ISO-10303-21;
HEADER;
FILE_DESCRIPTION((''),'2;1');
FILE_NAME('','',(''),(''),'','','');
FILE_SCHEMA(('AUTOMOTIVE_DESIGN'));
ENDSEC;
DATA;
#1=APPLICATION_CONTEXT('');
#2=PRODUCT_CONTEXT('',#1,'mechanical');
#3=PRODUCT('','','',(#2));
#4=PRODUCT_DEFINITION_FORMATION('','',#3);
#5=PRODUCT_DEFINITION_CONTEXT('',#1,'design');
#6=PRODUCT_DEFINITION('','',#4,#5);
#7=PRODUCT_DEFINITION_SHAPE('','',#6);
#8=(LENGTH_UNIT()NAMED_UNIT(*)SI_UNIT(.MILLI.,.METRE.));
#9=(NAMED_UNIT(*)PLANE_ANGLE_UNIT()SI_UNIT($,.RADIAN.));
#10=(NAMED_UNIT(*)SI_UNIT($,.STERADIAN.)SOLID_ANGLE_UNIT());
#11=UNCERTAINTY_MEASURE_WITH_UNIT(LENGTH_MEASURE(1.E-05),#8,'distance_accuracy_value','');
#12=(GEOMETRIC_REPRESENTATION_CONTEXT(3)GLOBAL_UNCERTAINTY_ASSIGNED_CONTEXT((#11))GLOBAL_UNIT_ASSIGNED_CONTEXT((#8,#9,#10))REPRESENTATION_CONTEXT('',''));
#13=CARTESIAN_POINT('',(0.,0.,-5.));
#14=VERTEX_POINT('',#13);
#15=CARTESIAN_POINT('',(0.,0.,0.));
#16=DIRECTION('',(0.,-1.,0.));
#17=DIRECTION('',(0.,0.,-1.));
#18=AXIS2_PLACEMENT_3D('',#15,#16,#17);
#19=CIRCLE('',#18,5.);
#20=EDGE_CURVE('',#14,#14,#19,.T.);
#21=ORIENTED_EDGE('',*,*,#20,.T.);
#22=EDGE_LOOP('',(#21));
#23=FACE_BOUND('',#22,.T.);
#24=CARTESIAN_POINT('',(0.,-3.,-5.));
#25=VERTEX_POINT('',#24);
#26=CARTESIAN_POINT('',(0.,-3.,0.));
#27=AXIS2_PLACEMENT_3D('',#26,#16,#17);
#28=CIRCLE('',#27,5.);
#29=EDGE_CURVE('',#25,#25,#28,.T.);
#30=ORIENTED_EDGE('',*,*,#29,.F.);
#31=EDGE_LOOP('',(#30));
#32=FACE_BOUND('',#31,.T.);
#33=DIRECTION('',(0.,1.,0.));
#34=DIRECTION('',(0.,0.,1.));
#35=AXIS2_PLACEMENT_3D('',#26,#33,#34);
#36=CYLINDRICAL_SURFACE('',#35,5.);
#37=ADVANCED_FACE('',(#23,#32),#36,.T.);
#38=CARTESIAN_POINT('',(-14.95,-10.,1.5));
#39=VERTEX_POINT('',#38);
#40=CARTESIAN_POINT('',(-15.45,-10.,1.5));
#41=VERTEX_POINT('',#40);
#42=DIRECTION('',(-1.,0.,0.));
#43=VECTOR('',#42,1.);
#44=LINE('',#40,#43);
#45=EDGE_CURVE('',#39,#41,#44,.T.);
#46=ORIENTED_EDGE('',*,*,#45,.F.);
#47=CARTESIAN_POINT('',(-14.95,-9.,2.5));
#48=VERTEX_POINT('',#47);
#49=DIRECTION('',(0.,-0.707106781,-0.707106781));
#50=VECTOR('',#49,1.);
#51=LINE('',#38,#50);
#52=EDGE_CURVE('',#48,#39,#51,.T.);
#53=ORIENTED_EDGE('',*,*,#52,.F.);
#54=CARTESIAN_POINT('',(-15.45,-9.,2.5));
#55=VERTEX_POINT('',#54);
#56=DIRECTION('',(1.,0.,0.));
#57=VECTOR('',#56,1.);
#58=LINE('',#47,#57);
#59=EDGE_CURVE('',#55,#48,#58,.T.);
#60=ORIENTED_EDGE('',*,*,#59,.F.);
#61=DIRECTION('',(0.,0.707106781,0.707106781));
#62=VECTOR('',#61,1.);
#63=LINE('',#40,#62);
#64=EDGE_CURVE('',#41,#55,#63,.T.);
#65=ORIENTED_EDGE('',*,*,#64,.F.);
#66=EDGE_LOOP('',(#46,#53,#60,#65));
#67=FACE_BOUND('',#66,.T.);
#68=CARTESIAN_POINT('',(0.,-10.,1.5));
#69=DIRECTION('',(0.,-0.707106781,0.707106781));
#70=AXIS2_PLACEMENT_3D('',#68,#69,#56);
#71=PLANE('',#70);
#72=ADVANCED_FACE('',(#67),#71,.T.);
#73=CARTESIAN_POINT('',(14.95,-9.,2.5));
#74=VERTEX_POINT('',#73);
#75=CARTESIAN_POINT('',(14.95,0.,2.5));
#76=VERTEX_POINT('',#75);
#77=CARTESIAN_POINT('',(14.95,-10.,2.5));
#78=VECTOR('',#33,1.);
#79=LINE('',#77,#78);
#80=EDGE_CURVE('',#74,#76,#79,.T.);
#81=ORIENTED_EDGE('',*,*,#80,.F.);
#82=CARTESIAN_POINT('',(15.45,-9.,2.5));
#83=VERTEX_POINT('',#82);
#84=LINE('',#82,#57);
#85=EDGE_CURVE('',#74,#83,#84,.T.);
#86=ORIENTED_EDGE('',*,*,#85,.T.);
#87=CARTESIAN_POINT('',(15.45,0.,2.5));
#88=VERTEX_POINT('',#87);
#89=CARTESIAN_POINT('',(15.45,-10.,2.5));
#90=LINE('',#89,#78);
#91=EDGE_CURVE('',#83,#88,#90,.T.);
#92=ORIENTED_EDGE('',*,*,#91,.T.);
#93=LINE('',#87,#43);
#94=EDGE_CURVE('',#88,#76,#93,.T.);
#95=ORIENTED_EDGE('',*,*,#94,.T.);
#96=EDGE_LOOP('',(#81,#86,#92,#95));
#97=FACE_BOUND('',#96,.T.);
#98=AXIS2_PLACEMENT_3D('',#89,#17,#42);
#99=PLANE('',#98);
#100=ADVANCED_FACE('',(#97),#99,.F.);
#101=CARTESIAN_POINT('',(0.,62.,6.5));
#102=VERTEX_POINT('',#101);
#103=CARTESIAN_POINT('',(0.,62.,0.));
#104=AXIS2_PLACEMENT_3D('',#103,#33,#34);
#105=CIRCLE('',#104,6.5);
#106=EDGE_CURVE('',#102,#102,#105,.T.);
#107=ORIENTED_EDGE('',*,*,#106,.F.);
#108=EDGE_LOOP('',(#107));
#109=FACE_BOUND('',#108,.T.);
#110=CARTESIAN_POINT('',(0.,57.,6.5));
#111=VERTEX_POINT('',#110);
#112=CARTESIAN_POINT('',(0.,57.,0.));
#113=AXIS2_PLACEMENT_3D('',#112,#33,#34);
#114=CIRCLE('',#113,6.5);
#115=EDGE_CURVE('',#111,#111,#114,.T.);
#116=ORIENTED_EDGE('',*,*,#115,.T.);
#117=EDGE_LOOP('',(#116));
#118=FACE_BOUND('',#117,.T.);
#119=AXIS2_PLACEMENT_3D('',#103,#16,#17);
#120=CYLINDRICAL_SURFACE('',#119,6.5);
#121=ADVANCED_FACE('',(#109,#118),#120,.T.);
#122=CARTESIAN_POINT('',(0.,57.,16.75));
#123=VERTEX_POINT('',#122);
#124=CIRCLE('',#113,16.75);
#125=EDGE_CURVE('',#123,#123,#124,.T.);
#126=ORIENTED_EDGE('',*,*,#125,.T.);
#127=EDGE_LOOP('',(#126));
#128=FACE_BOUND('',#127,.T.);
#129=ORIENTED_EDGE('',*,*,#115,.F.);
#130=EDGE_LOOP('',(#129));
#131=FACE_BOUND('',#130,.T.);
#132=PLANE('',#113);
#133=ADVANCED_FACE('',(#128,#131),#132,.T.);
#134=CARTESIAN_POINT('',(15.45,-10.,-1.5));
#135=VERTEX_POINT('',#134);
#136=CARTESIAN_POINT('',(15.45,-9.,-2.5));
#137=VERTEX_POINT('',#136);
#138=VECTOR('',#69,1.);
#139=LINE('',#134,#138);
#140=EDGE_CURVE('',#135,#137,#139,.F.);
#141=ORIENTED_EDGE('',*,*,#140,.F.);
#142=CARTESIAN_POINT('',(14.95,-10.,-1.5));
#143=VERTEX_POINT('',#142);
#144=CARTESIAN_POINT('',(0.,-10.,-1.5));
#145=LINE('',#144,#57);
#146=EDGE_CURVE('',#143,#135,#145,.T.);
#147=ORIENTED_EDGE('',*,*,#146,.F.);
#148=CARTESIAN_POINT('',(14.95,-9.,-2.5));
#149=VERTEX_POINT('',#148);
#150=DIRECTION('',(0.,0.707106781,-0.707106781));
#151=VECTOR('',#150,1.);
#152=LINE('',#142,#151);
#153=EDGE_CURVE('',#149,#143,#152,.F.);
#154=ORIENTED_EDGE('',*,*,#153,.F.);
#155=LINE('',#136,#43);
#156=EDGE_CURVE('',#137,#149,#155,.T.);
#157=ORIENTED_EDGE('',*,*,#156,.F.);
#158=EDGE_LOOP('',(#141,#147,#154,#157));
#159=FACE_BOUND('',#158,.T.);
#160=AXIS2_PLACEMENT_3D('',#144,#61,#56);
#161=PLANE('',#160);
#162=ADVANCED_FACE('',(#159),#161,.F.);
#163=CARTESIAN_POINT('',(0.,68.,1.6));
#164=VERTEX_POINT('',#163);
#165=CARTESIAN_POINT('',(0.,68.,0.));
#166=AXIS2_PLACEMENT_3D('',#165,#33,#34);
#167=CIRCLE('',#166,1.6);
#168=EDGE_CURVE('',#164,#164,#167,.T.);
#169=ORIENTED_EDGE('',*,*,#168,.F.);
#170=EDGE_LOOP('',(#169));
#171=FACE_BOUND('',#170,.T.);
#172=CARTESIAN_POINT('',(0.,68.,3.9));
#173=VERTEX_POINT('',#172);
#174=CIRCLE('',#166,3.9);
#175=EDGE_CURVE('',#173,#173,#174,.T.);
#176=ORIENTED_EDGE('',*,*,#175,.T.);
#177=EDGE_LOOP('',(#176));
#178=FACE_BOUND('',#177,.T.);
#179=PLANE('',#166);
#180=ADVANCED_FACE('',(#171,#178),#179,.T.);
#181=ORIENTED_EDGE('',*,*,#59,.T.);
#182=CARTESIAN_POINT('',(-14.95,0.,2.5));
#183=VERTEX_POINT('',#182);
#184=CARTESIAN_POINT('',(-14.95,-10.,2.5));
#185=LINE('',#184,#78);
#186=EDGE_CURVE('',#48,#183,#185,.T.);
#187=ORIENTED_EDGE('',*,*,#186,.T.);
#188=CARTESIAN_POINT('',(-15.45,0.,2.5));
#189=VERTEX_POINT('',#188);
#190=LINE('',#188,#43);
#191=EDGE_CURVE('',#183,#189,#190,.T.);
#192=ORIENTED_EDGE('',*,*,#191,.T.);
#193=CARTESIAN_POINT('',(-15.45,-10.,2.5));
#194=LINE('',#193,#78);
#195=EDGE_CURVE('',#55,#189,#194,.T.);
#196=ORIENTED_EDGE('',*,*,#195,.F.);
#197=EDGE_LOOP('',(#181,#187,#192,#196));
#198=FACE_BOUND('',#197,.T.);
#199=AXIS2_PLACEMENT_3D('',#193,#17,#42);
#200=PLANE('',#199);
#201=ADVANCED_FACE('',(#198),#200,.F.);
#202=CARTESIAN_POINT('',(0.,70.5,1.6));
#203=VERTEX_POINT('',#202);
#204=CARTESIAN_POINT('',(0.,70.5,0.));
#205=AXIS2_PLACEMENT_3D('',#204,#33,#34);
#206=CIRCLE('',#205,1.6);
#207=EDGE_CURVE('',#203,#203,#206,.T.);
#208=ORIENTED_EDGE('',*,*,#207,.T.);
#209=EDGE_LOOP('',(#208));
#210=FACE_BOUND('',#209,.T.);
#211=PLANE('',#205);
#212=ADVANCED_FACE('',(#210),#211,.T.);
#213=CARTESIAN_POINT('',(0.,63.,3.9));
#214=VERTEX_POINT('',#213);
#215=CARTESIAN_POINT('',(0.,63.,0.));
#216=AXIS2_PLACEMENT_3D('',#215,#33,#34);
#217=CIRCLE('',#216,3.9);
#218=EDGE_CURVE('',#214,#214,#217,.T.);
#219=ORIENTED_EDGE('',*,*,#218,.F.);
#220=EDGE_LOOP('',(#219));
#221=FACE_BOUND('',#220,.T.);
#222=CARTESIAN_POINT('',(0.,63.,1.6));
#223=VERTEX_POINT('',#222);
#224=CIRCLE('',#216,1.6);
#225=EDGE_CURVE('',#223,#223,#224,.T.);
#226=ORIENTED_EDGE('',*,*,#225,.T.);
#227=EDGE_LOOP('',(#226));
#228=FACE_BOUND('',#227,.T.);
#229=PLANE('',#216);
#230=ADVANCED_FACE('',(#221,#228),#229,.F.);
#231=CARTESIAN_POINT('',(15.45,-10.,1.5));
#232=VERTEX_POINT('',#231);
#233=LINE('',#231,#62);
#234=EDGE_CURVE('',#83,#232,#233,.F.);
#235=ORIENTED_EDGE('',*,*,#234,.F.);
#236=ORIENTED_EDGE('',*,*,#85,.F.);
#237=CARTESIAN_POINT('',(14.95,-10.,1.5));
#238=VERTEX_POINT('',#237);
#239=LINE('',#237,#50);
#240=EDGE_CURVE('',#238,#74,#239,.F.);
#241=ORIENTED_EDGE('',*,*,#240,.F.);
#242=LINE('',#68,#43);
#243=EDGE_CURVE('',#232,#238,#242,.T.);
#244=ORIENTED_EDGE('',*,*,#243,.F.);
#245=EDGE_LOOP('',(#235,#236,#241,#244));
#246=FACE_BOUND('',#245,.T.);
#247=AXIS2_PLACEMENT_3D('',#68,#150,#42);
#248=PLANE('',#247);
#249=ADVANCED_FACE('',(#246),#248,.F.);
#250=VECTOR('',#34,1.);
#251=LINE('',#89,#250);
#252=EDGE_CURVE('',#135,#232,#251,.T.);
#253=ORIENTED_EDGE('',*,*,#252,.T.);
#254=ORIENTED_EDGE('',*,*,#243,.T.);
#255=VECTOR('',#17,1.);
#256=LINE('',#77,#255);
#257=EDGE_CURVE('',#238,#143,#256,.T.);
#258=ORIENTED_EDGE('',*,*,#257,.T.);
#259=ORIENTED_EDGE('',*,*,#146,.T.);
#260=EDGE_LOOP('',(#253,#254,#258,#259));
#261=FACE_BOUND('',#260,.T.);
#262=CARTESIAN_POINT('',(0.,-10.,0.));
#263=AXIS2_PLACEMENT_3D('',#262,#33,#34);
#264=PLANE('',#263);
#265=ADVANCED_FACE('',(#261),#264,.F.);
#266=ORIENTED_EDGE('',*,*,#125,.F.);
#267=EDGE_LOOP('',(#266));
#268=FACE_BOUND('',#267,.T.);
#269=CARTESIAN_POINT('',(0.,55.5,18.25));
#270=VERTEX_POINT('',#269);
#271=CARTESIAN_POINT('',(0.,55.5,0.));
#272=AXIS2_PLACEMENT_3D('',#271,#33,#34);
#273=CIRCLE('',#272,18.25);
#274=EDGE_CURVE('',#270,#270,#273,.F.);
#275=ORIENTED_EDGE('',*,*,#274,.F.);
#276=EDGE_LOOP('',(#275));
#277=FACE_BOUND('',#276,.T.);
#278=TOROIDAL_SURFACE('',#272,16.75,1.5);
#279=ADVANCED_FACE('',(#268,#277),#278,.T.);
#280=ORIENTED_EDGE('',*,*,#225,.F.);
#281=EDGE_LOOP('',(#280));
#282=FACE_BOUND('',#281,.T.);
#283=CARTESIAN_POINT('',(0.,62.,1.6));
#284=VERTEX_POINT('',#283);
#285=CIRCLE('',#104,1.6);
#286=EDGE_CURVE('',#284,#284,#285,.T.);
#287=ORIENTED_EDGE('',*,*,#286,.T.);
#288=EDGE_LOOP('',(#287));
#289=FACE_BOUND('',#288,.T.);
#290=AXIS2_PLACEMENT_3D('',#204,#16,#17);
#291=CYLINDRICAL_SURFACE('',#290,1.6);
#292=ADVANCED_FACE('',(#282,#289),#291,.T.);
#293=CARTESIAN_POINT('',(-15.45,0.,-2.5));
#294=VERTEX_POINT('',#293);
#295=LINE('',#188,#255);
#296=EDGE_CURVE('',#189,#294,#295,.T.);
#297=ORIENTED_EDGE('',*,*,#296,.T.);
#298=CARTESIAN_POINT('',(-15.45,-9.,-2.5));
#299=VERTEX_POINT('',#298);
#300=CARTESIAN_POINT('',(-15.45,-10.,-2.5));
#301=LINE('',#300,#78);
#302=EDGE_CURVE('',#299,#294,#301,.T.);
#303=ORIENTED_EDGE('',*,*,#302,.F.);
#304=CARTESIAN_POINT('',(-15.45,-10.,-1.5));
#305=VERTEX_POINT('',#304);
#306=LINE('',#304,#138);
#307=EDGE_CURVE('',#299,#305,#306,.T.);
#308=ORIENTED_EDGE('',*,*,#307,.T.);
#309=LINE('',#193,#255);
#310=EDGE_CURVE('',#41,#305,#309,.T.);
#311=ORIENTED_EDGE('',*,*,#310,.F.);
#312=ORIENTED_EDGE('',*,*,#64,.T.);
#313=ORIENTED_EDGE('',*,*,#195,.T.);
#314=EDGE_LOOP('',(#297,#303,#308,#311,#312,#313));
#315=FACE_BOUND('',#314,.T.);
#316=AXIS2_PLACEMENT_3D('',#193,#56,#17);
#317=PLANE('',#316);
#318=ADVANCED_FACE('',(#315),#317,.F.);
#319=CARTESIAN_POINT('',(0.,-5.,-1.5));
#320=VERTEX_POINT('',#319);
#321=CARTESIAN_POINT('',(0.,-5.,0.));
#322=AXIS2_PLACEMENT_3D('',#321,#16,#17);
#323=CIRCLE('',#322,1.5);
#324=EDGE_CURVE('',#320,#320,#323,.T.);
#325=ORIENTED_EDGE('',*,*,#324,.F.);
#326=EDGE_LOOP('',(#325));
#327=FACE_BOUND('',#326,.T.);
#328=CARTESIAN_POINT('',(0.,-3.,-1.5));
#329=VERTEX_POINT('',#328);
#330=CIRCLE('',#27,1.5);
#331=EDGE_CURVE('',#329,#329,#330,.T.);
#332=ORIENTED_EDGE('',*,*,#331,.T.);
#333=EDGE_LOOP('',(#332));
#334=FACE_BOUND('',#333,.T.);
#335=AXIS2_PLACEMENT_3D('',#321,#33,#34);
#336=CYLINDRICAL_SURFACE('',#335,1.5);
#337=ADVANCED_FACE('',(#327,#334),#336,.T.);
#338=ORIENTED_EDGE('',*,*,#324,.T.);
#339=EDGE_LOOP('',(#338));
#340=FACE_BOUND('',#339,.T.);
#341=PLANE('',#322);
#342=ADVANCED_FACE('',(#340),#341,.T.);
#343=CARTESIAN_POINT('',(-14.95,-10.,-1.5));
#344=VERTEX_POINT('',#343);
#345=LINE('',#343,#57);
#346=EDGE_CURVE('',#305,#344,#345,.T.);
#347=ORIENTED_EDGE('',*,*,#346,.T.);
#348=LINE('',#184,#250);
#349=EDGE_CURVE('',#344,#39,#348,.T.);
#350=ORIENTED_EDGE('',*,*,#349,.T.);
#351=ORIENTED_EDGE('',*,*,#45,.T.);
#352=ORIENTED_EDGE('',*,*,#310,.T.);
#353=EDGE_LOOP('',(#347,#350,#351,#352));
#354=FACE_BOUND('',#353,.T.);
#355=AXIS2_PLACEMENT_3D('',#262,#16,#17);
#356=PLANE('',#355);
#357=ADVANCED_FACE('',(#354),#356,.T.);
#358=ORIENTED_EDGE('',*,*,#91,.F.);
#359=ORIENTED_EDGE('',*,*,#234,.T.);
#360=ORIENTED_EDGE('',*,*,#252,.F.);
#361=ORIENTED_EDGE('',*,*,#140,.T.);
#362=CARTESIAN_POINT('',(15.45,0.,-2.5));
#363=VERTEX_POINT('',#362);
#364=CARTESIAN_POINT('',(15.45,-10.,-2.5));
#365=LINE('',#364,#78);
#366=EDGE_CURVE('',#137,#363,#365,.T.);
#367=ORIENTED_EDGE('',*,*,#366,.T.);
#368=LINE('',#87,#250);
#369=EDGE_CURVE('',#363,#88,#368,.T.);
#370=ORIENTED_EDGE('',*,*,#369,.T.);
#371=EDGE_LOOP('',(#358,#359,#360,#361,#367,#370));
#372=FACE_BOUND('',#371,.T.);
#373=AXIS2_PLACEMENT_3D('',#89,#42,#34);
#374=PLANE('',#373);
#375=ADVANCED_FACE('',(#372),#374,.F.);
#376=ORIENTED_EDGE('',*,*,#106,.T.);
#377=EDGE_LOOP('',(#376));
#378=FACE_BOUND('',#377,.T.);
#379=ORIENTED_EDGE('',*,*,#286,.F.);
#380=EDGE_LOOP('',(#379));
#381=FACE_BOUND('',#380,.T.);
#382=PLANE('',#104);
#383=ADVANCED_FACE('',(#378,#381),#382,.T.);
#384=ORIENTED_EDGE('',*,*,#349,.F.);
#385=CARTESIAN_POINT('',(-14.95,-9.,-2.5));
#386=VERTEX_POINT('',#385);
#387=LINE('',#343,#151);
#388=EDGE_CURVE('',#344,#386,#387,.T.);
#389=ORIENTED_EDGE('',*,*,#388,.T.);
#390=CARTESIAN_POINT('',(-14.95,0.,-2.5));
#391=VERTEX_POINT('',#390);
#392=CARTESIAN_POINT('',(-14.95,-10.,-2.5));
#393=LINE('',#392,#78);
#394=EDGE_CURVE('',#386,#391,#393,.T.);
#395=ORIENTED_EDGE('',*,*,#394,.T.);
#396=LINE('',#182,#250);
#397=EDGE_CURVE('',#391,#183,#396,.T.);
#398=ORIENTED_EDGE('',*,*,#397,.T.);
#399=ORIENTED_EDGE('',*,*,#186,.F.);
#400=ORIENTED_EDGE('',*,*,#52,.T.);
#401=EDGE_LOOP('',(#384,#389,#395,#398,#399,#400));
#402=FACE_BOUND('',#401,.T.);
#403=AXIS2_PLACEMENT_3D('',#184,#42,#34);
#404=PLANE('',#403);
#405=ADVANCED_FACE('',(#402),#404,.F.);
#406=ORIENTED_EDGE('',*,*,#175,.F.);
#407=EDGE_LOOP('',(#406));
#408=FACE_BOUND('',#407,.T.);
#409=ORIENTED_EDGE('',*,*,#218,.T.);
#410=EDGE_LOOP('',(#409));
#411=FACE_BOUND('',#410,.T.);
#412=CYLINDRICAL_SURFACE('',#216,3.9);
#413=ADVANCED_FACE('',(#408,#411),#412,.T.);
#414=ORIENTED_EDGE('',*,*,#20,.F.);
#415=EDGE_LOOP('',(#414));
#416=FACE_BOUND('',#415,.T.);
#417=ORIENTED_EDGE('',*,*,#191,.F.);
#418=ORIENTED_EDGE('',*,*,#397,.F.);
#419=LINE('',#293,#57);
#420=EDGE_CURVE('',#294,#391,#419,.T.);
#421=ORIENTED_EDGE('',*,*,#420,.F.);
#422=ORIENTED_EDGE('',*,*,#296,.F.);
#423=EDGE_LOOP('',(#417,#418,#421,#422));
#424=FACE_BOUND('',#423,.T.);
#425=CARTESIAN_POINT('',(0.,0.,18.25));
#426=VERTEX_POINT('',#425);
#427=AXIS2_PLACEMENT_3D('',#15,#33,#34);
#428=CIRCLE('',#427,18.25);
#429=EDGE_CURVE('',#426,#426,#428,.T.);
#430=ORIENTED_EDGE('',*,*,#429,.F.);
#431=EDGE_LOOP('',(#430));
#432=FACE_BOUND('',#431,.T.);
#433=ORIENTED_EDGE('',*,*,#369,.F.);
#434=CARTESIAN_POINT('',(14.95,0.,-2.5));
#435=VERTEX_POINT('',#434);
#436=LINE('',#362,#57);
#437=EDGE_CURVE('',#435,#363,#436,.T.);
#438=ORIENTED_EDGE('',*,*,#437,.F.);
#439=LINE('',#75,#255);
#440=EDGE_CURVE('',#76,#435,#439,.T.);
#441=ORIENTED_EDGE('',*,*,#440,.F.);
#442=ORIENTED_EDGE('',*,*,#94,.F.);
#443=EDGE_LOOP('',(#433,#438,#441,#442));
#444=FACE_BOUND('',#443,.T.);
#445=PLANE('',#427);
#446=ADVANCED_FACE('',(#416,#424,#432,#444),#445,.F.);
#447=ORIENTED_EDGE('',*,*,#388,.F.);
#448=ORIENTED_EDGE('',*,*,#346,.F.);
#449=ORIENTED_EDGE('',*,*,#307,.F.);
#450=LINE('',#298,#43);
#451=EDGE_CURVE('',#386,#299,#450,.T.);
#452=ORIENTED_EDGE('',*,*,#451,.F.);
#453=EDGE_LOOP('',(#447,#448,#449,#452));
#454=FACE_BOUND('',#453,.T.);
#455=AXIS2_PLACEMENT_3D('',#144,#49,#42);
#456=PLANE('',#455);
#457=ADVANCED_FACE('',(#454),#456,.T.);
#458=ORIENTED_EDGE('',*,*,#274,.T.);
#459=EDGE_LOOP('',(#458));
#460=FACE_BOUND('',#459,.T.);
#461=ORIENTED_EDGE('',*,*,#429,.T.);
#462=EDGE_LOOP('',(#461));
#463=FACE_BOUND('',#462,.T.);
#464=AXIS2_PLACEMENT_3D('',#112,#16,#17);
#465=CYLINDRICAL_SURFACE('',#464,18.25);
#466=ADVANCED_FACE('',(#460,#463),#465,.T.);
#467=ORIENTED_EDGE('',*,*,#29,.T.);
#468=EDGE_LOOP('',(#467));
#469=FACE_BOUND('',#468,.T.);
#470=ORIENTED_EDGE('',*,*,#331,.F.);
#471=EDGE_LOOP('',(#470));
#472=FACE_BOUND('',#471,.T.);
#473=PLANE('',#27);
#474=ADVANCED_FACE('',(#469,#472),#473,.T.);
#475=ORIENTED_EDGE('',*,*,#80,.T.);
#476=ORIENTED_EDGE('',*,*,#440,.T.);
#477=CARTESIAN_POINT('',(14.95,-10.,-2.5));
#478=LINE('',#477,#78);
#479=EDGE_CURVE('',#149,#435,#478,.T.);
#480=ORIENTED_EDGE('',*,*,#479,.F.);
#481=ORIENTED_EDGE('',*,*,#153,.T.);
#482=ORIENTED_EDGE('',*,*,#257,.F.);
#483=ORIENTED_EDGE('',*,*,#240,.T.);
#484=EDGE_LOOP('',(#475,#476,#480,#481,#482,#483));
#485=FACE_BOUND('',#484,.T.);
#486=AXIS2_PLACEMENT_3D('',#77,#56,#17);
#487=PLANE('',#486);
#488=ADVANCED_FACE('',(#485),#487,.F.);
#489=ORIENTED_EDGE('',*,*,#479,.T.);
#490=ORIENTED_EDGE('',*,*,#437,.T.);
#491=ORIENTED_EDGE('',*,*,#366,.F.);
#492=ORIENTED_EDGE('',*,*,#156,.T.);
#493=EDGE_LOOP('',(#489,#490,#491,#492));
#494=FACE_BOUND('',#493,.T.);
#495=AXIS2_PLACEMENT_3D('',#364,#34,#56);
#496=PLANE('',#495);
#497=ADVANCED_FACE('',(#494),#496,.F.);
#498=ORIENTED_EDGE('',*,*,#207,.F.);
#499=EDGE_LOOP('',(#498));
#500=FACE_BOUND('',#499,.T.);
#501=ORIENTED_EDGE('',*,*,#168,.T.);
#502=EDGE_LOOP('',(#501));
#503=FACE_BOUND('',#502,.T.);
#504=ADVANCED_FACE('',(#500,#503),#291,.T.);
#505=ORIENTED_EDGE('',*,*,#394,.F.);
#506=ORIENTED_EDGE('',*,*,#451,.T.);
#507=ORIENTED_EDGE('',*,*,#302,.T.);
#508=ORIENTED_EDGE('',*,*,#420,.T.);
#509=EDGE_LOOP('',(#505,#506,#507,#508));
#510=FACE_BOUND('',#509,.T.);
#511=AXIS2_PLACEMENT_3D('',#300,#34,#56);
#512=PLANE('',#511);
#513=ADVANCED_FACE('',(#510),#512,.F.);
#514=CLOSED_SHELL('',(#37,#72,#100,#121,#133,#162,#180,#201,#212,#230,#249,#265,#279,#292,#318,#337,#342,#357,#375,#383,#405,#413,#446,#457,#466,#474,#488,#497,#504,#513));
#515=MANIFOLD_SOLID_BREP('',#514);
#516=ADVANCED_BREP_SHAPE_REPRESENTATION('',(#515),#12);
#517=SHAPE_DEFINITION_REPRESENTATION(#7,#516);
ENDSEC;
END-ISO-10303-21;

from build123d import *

# Parameters (mm, degrees)
SKETCH1_R           = 18.25
BOSS_EXTRUDE1_DEPTH = 57
SKETCH2_R           = 6.5
BOSS_EXTRUDE2_DEPTH = 5
FILLET1_R           = 1.5
SKETCH3_R           = 1.6
BOSS_EXTRUDE3_DEPTH = 8.5
BOSS_EXTRUDE4_START = -2.5
SKETCH4_R           = 3.9
BOSS_EXTRUDE4_DEPTH = 5
SKETCH5_R           = 5
BOSS_EXTRUDE5_DEPTH = 3
SKETCH6_R           = 1.5
BOSS_EXTRUDE6_DEPTH = 2
SKETCH7_W           = 0.5
SKETCH7_H           = 5
BOSS_EXTRUDE7_DEPTH = 10
CHAMFER1_SIZE       = 1


with BuildPart() as part:
    # Sketch1 → Boss-Extrude1 (new body)
    with BuildSketch(Plane(origin=(0, 0, 0), x_dir=(1, 0, 0), z_dir=(0, 1, 0))):
        Circle(SKETCH1_R)
    extrude(amount=BOSS_EXTRUDE1_DEPTH)

    # Sketch2 → Boss-Extrude2 (add)
    with BuildSketch(Plane(origin=(0, 57, 0), x_dir=(1, 0, 0), z_dir=(0, 1, 0))):
        Circle(SKETCH2_R)
    extrude(amount=BOSS_EXTRUDE2_DEPTH)

    # Fillet1
    fillet1_edges = [part.edges().sort_by_distance(p)[0] for p in [
        (-18.25, 57, 0),
    ]]
    fillet(fillet1_edges, radius=FILLET1_R)

    # Sketch3 → Boss-Extrude3 (add)
    with BuildSketch(Plane(origin=(0, 62, 0), x_dir=(1, 0, 0), z_dir=(0, 1, 0))):
        Circle(SKETCH3_R)
    extrude(amount=BOSS_EXTRUDE3_DEPTH)

    # Sketch4 → Boss-Extrude4 (add)
    with BuildSketch(Plane(origin=(0, 70.5, 0), x_dir=(1, 0, 0), z_dir=(0, 1, 0)).offset(BOSS_EXTRUDE4_START)):
        Circle(SKETCH4_R)
    extrude(amount=-BOSS_EXTRUDE4_DEPTH)

    # Sketch5 → Boss-Extrude5 (add)
    with BuildSketch(Plane.XZ):
        Circle(SKETCH5_R)
    extrude(amount=BOSS_EXTRUDE5_DEPTH)

    # Sketch6 → Boss-Extrude6 (add)
    with BuildSketch(Plane.XZ.offset(3)):
        Circle(SKETCH6_R)
    extrude(amount=BOSS_EXTRUDE6_DEPTH)

    # Sketch7 → Boss-Extrude7 (add)
    with BuildSketch(Plane.XZ):
        with Locations((15.2, 0)):
            Rectangle(SKETCH7_W, SKETCH7_H)
        with Locations((-15.2, 0)):
            Rectangle(SKETCH7_W, SKETCH7_H)
    extrude(amount=BOSS_EXTRUDE7_DEPTH)

    # Chamfer1
    chamfer1_edges = [part.edges().sort_by_distance(p)[0] for p in [
        (15.2, -10, -2.5),
        (15.2, -10, 2.5),
        (-15.2, -10, -2.5),
        (-15.2, -10, 2.5),
    ]]
    chamfer(chamfer1_edges, length=CHAMFER1_SIZE)


solid = part.part
